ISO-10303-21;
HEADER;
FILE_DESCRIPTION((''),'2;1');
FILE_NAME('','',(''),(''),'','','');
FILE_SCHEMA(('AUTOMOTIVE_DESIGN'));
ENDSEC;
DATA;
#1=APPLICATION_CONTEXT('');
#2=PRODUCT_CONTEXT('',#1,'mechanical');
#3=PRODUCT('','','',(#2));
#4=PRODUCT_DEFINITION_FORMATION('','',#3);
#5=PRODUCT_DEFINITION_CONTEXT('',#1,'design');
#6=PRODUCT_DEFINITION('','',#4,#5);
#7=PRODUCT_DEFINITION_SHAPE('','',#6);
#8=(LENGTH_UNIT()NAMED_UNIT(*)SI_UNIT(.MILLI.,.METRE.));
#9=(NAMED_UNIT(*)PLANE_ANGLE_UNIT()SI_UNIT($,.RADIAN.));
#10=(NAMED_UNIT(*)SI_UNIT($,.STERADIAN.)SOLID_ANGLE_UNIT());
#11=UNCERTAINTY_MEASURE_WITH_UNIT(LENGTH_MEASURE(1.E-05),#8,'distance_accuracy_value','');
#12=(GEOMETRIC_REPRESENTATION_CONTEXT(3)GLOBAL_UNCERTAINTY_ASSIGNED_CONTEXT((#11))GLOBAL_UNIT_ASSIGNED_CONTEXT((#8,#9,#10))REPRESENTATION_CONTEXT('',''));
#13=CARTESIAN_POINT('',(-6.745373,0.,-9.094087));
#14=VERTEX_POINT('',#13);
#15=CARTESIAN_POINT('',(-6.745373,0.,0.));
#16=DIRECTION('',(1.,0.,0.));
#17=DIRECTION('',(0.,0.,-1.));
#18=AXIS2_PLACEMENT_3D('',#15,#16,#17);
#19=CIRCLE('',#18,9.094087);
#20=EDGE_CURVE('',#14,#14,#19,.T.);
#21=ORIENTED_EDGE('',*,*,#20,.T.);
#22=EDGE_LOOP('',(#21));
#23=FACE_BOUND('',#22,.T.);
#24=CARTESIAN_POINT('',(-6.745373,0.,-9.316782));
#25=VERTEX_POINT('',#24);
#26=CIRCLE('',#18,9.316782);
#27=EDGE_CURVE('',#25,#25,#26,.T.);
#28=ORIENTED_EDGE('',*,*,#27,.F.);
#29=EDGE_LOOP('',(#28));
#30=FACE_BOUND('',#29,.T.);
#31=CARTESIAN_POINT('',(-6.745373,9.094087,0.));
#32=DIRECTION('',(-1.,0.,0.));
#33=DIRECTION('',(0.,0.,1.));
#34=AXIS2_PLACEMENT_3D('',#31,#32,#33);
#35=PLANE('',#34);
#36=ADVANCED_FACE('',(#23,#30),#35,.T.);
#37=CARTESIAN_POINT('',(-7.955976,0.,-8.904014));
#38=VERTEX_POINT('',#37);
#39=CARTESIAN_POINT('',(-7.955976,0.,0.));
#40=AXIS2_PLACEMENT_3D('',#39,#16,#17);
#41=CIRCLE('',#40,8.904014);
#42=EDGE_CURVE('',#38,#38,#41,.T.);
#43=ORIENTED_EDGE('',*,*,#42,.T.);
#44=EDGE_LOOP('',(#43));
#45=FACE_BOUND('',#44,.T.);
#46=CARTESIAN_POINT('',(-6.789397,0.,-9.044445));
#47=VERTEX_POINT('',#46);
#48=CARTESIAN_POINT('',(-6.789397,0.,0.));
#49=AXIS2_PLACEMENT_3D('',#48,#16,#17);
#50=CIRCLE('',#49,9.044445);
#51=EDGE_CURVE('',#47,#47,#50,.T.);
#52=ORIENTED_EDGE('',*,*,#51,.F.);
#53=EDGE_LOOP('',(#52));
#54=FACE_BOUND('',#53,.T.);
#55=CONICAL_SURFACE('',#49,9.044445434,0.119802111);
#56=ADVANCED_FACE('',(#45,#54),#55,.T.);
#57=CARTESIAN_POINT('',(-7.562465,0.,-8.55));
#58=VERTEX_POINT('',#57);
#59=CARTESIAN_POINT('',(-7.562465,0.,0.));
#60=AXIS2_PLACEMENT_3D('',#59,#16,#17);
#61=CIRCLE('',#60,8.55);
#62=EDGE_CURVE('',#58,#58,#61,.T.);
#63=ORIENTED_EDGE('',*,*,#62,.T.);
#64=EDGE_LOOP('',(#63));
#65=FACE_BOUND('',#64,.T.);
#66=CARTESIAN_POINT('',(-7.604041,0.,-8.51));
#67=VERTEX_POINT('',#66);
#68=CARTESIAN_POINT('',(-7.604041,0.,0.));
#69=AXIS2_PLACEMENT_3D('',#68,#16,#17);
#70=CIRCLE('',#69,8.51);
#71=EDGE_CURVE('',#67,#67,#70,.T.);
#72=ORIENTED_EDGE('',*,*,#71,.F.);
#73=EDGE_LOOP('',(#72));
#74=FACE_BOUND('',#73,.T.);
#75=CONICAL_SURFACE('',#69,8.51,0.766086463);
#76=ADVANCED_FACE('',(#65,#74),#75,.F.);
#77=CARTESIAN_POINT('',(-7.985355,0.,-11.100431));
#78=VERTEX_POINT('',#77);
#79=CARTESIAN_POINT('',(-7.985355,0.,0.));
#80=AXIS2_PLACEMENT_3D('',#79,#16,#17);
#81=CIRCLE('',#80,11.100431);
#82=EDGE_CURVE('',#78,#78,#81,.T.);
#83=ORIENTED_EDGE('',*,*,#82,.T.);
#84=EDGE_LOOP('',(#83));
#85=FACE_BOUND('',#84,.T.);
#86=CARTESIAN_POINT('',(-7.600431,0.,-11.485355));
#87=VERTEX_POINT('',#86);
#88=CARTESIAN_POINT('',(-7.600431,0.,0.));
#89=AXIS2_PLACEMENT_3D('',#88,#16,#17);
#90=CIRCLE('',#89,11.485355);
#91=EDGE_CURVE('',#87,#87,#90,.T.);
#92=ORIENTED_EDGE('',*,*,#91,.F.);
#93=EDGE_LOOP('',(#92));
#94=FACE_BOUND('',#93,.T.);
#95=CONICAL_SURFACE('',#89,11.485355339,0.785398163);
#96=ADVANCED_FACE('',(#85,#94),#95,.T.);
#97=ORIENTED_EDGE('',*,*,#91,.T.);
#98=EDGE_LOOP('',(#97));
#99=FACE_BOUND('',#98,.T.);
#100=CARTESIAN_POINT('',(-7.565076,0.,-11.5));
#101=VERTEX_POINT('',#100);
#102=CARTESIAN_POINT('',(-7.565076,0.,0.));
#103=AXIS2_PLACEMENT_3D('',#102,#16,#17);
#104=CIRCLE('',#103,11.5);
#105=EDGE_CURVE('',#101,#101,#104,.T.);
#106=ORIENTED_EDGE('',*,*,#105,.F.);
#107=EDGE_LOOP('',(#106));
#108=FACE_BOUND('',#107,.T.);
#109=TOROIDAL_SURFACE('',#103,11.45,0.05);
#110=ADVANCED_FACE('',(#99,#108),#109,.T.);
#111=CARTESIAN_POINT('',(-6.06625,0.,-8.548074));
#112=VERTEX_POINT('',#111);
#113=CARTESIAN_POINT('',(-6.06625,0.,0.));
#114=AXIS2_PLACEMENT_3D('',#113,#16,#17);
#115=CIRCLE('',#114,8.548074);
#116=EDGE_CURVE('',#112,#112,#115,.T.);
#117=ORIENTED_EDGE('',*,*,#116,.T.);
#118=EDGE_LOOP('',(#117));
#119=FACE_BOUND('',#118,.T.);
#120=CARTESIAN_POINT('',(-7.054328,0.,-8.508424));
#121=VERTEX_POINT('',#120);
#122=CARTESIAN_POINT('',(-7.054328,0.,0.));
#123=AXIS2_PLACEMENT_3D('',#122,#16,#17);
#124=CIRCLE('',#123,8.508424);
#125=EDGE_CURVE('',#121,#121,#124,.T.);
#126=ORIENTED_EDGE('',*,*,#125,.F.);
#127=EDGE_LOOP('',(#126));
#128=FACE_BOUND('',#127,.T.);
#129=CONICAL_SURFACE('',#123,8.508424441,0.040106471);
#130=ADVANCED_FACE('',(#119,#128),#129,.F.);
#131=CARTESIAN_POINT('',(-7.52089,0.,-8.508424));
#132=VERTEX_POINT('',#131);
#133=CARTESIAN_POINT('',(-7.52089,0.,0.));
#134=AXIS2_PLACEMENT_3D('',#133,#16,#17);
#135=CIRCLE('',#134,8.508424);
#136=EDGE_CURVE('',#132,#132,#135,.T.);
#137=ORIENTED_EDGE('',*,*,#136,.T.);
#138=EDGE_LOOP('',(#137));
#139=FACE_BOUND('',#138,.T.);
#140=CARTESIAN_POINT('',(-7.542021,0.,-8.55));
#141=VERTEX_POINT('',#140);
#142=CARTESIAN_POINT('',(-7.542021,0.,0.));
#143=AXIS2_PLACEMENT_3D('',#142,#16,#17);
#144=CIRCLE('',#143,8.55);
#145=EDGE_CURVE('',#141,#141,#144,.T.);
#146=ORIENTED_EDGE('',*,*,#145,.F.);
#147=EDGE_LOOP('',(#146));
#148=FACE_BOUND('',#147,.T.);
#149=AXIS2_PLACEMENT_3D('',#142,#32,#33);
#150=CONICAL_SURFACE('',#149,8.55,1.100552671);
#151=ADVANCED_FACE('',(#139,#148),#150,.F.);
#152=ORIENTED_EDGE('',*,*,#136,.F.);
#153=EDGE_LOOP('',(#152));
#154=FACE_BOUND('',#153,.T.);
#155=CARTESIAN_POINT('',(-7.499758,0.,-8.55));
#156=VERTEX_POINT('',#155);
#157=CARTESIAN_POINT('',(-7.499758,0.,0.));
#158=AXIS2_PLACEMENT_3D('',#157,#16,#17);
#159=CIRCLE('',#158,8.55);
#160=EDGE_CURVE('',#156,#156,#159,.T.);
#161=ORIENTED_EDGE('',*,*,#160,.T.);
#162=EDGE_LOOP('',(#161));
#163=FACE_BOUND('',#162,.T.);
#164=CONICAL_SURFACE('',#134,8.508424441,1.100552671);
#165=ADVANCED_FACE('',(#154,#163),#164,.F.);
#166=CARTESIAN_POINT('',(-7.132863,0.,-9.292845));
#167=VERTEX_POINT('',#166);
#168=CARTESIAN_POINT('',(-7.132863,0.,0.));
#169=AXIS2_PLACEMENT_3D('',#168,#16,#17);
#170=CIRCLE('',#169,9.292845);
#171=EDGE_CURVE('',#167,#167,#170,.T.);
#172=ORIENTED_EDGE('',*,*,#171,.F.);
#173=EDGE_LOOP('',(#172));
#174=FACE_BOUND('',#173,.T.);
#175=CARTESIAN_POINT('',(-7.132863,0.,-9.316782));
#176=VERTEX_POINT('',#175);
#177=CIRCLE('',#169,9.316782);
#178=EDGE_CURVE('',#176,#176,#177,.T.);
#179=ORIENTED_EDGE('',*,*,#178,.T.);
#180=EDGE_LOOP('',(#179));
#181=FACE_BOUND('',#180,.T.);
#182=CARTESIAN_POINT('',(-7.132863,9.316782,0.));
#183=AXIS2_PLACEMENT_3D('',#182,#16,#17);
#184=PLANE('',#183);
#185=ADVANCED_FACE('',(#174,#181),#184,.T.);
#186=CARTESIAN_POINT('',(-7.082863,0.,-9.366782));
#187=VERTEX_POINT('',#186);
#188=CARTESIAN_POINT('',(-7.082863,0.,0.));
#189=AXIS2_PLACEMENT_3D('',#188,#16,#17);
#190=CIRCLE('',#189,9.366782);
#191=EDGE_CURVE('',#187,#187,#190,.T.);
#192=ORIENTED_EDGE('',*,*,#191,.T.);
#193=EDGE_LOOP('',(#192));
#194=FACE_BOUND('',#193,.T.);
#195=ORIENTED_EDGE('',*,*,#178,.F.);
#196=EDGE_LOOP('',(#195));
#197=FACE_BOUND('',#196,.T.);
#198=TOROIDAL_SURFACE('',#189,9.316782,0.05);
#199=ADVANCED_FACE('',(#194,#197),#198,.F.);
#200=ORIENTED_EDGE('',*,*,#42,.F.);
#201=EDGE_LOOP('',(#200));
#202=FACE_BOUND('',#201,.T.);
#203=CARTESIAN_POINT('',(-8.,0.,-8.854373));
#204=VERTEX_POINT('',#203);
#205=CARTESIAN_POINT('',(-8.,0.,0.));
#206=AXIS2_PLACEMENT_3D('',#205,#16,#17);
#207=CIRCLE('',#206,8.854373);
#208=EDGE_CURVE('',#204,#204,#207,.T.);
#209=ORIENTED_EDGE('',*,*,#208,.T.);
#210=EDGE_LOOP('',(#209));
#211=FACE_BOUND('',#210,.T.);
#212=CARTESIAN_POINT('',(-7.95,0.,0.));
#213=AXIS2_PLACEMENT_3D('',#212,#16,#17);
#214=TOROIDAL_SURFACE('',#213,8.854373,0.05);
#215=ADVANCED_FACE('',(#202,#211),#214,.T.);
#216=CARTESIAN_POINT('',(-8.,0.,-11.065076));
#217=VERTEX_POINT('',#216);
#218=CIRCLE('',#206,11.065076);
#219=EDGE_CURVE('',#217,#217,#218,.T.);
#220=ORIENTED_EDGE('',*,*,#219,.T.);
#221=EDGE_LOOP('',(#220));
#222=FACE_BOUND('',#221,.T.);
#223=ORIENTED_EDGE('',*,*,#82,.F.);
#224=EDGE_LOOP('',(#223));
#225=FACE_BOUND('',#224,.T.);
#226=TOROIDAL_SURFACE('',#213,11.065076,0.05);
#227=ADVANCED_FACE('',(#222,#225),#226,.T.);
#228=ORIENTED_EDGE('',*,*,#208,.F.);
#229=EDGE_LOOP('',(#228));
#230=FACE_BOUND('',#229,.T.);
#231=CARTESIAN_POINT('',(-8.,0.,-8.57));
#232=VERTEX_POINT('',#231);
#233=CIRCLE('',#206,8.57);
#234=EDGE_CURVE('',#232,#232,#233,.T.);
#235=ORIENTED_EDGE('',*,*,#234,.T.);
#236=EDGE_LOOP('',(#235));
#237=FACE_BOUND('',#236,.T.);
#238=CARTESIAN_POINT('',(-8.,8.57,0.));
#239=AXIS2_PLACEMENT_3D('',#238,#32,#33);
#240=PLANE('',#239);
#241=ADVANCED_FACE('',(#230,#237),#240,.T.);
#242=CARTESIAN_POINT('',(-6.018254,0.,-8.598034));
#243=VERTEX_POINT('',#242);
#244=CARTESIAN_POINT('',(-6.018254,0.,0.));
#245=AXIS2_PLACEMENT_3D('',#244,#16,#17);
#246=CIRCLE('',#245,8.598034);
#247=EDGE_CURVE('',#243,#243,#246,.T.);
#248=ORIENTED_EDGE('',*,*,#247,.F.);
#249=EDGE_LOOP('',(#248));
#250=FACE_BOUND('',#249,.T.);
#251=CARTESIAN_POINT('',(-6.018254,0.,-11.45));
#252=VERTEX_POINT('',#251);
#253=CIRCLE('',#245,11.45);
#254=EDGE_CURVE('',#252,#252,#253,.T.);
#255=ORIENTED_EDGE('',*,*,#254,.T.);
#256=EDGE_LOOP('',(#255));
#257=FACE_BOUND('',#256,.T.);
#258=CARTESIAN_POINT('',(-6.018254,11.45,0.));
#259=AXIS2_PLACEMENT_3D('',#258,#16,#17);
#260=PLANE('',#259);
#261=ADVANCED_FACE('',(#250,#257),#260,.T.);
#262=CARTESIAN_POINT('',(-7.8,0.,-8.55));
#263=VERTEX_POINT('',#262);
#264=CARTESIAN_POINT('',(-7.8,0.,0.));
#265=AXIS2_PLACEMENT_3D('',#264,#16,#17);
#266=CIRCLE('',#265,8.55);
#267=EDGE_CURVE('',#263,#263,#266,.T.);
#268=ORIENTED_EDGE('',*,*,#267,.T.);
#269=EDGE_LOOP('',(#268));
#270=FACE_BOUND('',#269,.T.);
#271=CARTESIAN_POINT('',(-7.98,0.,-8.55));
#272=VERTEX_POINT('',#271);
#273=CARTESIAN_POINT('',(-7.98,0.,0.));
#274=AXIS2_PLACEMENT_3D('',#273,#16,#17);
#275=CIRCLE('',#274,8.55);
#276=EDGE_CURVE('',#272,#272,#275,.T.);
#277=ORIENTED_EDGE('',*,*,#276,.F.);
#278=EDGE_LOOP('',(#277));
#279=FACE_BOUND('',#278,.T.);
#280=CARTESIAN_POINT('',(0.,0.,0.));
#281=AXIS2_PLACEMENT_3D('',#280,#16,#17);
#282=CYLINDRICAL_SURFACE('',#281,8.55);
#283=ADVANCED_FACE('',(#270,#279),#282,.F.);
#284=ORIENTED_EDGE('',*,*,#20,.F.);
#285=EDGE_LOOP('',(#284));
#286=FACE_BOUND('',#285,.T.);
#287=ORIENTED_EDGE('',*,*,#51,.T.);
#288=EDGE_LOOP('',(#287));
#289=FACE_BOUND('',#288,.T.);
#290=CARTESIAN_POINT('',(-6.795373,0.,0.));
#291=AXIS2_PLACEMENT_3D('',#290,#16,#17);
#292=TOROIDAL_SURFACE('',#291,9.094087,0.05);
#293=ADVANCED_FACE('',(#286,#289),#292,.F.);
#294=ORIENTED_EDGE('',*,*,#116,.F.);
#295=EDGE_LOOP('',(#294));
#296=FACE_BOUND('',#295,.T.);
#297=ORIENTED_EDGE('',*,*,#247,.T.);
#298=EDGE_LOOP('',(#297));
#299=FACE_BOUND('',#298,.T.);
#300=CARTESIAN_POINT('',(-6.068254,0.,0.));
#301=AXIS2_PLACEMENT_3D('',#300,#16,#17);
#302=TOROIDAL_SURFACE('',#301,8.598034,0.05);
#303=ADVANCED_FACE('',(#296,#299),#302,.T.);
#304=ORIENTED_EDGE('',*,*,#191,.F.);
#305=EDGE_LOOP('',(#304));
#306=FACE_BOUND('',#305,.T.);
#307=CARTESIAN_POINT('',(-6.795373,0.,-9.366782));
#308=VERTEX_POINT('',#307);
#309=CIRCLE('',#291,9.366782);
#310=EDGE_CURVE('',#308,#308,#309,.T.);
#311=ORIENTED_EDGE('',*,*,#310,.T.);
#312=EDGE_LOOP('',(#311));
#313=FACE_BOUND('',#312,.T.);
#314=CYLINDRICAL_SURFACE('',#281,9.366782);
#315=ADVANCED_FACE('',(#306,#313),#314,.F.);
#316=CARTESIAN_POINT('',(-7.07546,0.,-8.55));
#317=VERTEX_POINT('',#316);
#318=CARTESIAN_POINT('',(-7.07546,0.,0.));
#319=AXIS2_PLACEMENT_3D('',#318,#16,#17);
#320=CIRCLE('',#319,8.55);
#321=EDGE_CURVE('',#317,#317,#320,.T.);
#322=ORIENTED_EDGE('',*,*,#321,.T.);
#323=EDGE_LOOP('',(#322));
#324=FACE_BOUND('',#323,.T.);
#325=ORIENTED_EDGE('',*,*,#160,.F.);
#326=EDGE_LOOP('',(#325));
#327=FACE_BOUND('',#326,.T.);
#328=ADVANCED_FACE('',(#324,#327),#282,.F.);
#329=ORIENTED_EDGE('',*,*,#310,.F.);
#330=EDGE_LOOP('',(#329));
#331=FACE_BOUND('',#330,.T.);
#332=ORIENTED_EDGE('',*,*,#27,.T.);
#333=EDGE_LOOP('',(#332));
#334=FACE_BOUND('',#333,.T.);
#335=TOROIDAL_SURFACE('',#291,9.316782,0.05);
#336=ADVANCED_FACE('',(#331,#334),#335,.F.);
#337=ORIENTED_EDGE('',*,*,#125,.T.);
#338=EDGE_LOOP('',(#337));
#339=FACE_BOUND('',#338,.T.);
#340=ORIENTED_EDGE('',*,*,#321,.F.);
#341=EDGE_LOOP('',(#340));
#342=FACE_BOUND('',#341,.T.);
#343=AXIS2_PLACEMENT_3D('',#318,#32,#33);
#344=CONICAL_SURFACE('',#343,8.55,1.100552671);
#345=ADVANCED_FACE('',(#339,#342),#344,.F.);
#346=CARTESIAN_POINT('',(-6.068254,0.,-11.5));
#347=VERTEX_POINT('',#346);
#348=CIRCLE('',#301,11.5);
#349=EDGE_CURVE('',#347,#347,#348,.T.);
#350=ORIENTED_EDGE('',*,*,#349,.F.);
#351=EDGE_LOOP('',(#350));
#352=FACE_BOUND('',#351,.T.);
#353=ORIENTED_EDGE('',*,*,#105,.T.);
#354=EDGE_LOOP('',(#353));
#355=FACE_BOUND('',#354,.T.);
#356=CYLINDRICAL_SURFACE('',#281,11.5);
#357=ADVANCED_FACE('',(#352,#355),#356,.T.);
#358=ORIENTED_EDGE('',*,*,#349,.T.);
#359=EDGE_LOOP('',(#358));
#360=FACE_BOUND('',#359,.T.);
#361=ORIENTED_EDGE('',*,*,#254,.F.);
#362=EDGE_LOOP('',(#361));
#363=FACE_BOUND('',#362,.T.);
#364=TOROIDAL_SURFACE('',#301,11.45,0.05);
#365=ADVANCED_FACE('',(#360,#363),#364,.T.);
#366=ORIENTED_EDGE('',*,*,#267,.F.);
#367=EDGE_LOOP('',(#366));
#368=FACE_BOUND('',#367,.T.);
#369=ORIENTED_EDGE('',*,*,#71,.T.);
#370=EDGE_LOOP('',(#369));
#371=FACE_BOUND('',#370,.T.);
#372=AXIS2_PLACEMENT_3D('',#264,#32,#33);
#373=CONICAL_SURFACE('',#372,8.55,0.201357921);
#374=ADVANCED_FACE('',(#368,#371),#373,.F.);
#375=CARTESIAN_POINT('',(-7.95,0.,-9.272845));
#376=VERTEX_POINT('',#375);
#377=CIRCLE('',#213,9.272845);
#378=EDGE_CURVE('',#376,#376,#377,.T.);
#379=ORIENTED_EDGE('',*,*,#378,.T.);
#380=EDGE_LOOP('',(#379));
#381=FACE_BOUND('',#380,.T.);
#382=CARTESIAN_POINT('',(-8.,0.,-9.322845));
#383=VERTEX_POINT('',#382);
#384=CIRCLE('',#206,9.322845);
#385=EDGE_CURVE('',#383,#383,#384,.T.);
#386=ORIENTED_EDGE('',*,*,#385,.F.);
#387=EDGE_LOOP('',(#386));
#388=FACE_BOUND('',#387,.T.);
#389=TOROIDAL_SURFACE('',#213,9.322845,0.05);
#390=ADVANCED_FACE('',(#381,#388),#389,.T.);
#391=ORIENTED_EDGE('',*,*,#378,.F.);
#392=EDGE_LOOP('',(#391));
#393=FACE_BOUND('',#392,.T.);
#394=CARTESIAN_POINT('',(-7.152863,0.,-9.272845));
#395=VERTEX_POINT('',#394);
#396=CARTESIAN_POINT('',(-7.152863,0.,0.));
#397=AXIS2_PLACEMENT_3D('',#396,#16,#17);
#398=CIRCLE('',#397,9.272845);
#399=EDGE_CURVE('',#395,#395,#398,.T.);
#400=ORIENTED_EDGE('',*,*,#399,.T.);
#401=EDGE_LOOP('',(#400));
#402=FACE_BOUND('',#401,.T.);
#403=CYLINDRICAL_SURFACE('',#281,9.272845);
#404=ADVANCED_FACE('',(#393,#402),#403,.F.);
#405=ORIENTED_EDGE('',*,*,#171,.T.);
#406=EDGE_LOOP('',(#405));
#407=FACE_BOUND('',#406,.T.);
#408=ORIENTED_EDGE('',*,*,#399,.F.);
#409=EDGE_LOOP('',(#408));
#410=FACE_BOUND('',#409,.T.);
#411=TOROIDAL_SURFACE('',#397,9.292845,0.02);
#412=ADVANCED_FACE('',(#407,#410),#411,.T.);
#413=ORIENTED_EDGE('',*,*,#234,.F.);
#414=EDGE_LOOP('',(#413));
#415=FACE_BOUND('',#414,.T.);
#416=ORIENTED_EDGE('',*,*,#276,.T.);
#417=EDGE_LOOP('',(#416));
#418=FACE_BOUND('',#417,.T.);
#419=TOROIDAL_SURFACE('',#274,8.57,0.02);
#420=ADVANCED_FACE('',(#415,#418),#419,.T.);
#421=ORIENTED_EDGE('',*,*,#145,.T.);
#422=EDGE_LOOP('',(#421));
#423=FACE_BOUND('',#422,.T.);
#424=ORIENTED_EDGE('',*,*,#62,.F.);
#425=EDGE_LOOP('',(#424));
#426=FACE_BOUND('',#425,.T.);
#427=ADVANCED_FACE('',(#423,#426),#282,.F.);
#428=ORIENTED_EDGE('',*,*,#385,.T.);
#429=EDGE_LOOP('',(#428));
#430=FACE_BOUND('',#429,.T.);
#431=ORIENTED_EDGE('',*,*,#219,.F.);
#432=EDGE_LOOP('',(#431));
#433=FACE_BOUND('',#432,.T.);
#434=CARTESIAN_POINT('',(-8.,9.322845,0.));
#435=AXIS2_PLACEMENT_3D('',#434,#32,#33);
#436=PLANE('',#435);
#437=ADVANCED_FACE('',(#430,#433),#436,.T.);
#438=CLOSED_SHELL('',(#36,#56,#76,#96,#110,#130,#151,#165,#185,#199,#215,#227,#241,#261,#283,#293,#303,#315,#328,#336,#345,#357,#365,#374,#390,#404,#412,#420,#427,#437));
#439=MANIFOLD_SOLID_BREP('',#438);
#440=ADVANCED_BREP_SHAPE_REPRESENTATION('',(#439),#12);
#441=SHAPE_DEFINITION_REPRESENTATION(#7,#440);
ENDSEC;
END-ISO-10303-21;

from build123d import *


with BuildPart() as part:
    # Schizzo1 → Rivoluzione1 (revolve)
    with BuildSketch(Plane.XY):
        with BuildLine():
            Line((-7.985355339, 11.100431099), (-7.600431099, 11.485355339))
            ThreePointArc((-7.600431099, 11.485355339), (-7.584209931, 11.496193977), (-7.56507576, 11.5))
            Line((-7.56507576, 11.5), (-6.068254383, 11.5))
            ThreePointArc((-6.068254383, 11.5), (-6.032899044, 11.485355339), (-6.018254383, 11.45))
            Line((-6.018254383, 11.45), (-6.018254383, 8.598033841))
            ThreePointArc((-6.018254383, 8.598033841), (-6.032197211, 8.563394552), (-6.066249597, 8.548074049))
            Line((-6.066249597, 8.548074049), (-7.054328206, 8.508424441))
            Line((-7.054328206, 8.508424441), (-7.075459918, 8.55))
            Line((-7.075459918, 8.55), (-7.499757992, 8.55))
            Line((-7.499757992, 8.55), (-7.520889703, 8.508424441))
            Line((-7.520889703, 8.508424441), (-7.542021415, 8.55))
            Line((-7.542021415, 8.55), (-7.562465262, 8.55))
            Line((-7.562465262, 8.55), (-7.604040821, 8.51))
            Line((-7.604040821, 8.51), (-7.8, 8.55))
            Line((-7.8, 8.55), (-7.98, 8.55))
            ThreePointArc((-7.98, 8.55), (-7.994142136, 8.555857864), (-8, 8.57))
            Line((-8, 8.57), (-8, 8.854372719))
            ThreePointArc((-8, 8.854372719), (-7.987408484, 8.887548092), (-7.955975787, 8.904014335))
            Line((-7.955975787, 8.904014335), (-6.789396951, 9.044445434))
            ThreePointArc((-6.789396951, 9.044445434), (-6.757964254, 9.060911677), (-6.745372738, 9.094087049))
            Line((-6.745372738, 9.094087049), (-6.745372738, 9.316782125))
            ThreePointArc((-6.745372738, 9.316782125), (-6.760017398, 9.352137464), (-6.795372738, 9.366782125))
            Line((-6.795372738, 9.366782125), (-7.08286255, 9.366782125))
            ThreePointArc((-7.08286255, 9.366782125), (-7.118217889, 9.352137464), (-7.13286255, 9.316782125))
            Line((-7.13286255, 9.316782125), (-7.13286255, 9.292845201))
            ThreePointArc((-7.13286255, 9.292845201), (-7.138720415, 9.278703065), (-7.15286255, 9.272845201))
            Line((-7.15286255, 9.272845201), (-7.95, 9.272845201))
            ThreePointArc((-7.95, 9.272845201), (-7.985355339, 9.287489862), (-8, 9.322845201))
            Line((-8, 9.322845201), (-8, 11.06507576))
            ThreePointArc((-8, 11.06507576), (-7.996193977, 11.084209931), (-7.985355339, 11.100431099))
        make_face()
    revolve(axis=Axis((0, 0, 0), (-1, 0, 0)))


solid = part.part
